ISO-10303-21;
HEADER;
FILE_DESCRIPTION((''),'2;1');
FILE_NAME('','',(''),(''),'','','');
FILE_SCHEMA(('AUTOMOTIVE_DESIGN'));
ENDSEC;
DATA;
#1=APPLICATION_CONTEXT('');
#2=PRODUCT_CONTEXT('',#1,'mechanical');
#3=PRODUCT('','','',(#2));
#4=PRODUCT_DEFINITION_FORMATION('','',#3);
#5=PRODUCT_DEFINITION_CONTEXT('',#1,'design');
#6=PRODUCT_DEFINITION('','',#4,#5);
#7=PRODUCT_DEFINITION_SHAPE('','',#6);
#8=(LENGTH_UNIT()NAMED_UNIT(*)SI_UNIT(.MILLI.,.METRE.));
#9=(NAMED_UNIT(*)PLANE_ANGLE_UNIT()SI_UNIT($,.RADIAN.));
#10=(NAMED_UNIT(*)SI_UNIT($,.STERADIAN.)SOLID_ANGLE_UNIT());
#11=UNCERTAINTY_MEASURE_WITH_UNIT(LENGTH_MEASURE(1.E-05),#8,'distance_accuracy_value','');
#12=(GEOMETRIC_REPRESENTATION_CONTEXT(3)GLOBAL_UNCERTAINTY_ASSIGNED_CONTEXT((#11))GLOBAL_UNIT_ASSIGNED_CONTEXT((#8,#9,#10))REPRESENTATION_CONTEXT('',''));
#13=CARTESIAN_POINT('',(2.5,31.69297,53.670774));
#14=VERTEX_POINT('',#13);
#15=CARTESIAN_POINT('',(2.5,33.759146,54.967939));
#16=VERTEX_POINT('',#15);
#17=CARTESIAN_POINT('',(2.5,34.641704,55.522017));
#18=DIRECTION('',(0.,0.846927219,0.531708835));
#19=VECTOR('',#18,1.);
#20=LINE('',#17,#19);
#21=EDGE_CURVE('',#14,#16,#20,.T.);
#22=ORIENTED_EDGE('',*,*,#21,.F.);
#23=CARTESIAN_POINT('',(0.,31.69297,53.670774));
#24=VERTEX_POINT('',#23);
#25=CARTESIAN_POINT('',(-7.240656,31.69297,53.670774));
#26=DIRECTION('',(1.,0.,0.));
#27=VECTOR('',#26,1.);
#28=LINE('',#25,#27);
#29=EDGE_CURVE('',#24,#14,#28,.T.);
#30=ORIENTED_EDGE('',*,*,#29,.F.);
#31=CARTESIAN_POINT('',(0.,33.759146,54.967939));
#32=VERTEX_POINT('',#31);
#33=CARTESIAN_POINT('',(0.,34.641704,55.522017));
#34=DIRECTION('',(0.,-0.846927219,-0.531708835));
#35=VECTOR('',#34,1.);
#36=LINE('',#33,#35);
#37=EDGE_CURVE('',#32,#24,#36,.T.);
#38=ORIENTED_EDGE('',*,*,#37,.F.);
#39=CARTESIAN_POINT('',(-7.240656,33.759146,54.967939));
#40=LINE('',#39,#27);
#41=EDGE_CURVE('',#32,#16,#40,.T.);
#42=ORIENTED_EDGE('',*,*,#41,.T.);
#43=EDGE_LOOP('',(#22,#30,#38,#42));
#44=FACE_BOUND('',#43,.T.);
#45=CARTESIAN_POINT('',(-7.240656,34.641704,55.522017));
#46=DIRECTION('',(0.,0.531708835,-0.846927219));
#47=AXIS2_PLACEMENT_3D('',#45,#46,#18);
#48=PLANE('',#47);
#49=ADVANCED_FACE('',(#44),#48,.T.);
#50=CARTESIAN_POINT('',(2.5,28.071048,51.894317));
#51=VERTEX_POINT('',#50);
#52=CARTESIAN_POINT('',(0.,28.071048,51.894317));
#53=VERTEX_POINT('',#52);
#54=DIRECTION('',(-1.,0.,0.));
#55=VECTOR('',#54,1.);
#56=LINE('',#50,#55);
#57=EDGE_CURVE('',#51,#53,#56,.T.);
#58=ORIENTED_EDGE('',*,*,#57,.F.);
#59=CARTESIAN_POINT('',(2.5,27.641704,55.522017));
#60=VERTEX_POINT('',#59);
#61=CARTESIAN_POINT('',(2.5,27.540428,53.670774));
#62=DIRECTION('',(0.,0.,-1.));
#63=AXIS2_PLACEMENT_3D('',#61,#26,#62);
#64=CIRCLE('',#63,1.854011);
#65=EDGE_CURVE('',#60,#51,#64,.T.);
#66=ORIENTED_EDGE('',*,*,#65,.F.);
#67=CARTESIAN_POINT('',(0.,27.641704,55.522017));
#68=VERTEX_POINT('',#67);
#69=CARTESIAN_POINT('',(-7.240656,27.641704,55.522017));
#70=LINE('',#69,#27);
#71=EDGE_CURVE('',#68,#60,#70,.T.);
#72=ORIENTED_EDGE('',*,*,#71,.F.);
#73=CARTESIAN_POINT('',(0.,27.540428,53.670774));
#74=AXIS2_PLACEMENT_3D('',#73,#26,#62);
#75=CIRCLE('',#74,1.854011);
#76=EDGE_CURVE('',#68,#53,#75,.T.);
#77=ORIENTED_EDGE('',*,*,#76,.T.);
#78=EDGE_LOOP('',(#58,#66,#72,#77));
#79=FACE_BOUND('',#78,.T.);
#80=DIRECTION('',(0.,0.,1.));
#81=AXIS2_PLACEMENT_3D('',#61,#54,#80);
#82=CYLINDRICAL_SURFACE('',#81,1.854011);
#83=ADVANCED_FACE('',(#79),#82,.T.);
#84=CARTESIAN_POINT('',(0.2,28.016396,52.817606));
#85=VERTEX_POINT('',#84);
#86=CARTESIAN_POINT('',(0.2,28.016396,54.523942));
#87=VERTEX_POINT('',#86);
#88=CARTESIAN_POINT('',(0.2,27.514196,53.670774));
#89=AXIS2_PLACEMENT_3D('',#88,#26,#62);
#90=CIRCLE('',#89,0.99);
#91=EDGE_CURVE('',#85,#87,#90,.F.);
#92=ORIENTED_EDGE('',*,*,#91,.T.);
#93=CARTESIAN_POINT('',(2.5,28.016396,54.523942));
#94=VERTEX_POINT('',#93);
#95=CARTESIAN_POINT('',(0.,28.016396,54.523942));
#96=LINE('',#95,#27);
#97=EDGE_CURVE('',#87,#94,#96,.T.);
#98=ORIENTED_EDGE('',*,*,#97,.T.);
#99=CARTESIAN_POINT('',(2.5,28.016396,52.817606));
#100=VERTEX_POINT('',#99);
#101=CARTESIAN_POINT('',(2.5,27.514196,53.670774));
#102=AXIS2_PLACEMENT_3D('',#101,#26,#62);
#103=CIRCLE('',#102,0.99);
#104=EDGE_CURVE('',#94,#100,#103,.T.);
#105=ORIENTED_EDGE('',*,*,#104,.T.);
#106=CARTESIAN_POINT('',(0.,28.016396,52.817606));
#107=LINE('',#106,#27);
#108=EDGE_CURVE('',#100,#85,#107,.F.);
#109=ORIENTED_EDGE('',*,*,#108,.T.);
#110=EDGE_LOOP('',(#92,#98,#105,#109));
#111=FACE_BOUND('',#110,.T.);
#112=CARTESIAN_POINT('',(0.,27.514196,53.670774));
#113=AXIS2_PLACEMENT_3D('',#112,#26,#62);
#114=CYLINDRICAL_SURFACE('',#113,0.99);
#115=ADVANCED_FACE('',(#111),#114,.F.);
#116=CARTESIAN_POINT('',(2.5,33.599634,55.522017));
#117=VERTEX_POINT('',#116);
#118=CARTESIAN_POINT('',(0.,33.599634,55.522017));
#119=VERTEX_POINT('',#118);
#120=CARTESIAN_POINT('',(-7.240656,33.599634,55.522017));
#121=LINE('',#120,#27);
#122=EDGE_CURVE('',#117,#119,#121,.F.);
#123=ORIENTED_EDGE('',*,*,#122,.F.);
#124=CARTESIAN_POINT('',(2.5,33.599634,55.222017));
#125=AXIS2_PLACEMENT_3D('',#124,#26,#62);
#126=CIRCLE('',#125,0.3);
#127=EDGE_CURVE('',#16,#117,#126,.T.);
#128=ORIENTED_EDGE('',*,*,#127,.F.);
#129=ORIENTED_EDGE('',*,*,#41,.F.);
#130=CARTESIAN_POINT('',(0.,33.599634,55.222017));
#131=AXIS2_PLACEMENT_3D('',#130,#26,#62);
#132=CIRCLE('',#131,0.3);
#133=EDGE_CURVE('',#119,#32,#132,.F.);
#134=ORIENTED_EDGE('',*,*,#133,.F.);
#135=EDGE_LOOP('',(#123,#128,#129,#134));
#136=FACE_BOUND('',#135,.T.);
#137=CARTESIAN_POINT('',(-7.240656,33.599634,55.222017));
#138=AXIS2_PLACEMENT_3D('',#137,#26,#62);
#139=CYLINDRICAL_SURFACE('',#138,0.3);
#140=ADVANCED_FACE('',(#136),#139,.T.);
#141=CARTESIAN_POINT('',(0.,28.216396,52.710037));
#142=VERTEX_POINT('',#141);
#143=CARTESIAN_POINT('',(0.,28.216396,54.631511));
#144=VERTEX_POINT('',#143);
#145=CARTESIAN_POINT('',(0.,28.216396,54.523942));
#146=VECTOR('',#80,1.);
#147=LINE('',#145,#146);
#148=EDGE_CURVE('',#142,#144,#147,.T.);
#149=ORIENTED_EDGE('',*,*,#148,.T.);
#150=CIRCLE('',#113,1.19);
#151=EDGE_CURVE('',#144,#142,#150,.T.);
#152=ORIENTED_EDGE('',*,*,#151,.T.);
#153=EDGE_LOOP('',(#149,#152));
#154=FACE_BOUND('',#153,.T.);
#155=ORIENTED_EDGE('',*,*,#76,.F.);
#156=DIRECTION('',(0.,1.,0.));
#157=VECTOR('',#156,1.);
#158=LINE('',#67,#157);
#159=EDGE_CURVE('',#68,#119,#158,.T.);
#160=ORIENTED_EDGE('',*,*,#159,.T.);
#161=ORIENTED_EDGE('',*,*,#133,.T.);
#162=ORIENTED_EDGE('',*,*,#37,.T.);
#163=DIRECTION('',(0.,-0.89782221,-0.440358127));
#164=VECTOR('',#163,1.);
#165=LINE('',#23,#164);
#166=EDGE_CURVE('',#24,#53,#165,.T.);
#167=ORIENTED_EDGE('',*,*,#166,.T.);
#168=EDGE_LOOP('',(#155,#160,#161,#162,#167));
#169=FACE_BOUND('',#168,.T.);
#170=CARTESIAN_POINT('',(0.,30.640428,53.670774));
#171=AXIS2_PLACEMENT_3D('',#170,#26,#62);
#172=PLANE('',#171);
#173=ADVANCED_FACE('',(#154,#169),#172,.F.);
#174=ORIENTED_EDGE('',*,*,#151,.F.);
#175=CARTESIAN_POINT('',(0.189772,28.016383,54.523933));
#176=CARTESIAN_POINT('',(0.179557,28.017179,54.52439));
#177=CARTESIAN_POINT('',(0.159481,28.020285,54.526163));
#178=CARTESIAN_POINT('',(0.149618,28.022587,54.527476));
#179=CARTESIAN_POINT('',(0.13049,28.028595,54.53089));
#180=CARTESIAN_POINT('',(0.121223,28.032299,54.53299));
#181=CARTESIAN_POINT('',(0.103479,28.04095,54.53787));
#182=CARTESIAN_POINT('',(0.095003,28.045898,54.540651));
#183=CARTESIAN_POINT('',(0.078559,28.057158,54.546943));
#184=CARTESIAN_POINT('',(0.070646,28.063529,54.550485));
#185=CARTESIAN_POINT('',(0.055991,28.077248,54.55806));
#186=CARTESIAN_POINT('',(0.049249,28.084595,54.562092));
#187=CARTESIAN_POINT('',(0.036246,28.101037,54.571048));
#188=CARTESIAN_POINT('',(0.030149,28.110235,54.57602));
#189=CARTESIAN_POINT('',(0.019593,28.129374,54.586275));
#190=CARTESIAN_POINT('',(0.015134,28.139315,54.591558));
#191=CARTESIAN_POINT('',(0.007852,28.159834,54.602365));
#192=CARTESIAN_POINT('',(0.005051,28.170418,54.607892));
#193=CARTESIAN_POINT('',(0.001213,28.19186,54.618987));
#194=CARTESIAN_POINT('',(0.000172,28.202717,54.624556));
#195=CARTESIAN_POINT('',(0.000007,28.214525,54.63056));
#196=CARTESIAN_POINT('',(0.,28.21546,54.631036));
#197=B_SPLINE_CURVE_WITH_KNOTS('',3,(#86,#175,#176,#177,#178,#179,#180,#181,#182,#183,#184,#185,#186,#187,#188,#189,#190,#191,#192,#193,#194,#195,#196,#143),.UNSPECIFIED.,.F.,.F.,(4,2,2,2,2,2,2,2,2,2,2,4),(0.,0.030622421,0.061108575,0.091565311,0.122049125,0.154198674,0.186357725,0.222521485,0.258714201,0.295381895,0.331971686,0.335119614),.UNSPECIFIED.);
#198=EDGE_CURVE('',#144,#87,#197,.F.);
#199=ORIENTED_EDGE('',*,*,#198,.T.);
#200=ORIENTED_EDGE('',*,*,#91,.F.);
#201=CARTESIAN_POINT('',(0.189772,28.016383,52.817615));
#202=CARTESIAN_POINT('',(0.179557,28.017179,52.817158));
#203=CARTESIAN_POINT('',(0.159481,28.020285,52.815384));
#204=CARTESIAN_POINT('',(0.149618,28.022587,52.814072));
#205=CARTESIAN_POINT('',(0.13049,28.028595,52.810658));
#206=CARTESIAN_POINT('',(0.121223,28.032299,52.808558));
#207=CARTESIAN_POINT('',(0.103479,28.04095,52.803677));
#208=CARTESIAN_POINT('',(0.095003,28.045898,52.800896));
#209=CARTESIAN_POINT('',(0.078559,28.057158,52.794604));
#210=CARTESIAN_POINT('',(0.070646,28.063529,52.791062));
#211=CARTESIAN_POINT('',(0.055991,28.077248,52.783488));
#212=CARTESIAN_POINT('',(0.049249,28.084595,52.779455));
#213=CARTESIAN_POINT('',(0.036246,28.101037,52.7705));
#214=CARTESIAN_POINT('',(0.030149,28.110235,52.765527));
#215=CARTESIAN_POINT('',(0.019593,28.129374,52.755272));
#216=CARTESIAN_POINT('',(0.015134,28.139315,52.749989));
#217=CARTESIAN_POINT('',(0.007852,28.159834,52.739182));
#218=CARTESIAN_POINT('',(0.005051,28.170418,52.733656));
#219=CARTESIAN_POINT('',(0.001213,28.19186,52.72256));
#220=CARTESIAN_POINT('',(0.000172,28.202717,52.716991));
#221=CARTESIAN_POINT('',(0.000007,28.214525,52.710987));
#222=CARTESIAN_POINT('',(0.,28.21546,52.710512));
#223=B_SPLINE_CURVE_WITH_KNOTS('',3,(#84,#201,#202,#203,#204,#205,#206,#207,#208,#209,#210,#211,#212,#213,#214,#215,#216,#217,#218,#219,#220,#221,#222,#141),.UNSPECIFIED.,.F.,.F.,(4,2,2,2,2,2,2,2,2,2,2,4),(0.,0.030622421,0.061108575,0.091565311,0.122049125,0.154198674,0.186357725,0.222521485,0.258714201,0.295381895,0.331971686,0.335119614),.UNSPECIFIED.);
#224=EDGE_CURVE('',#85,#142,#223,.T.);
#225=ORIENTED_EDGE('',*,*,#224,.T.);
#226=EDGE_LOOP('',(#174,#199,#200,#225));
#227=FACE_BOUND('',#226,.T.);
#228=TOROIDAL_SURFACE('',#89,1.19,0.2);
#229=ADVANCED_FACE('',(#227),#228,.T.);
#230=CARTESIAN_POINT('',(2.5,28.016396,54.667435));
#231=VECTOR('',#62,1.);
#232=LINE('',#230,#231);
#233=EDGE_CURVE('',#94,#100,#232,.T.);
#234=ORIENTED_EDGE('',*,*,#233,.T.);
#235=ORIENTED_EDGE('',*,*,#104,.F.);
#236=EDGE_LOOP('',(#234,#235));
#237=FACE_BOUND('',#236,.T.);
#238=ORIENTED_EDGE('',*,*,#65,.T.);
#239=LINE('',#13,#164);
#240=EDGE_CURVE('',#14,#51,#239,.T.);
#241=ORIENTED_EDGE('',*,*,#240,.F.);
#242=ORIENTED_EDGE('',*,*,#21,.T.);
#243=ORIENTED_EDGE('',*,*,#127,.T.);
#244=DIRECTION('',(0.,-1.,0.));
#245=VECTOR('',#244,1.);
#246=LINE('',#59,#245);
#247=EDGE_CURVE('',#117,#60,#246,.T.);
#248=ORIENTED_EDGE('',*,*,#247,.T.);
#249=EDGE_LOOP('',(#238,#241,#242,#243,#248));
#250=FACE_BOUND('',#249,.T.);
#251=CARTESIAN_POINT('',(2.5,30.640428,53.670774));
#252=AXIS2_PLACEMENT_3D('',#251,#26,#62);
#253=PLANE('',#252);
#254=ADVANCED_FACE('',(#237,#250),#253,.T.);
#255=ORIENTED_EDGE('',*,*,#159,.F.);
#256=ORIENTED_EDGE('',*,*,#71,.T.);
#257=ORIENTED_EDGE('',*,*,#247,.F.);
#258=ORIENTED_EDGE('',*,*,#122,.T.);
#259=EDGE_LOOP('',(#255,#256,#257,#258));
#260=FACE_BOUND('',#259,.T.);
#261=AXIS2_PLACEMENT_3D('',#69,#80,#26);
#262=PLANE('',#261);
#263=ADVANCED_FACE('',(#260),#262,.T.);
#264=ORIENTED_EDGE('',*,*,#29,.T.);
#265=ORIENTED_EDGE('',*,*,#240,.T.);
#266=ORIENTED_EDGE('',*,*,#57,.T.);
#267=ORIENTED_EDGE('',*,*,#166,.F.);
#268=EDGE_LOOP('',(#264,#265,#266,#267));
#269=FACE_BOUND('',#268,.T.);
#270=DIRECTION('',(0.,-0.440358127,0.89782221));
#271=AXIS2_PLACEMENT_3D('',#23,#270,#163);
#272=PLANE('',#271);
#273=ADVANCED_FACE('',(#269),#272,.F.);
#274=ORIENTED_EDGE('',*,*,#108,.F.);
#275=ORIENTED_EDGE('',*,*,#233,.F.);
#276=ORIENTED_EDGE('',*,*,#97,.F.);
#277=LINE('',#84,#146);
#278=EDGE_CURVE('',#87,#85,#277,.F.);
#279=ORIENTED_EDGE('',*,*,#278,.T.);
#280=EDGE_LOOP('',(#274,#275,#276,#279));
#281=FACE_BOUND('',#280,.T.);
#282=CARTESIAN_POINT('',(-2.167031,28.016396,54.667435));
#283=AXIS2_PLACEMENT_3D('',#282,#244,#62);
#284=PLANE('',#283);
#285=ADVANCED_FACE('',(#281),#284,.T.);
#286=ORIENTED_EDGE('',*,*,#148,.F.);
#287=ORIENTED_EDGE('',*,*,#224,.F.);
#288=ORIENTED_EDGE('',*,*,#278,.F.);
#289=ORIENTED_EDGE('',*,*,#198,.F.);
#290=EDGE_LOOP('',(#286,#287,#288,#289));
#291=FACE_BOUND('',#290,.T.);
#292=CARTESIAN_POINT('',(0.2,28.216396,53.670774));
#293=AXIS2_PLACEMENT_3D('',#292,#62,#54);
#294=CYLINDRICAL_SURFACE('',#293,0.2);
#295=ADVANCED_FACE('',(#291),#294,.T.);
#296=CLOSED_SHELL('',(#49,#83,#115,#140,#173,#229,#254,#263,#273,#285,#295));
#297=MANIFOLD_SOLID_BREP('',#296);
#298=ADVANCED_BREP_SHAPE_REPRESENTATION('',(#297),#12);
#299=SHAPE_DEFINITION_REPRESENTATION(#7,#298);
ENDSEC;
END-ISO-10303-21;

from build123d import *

# Parameters (mm, degrees)
BOSS_EXTRUDE2_DEPTH = 2.5
SKETCH4_R           = 0.99
CUT_EXTRUDE2_DEPTH  = 64.981998238
SKETCH7_W           = 2.01987101
SKETCH7_H           = 0.78494751
BOSS_EXTRUDE5_DEPTH = 2.5
FILLET1_R           = 0.2
BOSS_EXTRUDE6_DEPTH = 2.5
CUT_EXTRUDE5_DEPTH  = 66.492743437
FILLET14_R          = 0.3


with BuildPart() as part:
    # Sketch3 → Boss-Extrude2 (new body)
    with BuildSketch(Plane(origin=(0, 0, 0), x_dir=(0, 0, -1), z_dir=(1, 0, 0))):
        with BuildLine():
            Line((-54.67077374, 30.968825597), (-55.447230875, 28.071048118))
            ThreePointArc((-55.447230875, 28.071048118), (-53.67077374, 25.686416202), (-51.894316605, 28.071048118))
            Line((-51.894316605, 28.071048118), (-52.67077374, 30.968825597))
            ThreePointArc((-52.67077374, 30.968825597), (-53.67077374, 31.692969852), (-54.67077374, 30.968825597))
        make_face()
    extrude(amount=BOSS_EXTRUDE2_DEPTH)

    # Sketch4 → Cut-Extrude2 (cut, through all)
    with BuildSketch(Plane(origin=(2.5, 0, 0), x_dir=(0, 0, -1), z_dir=(1, 0, 0))):
        with Locations((-53.67077374, 27.514195996)):
            Circle(SKETCH4_R)
    extrude(amount=-CUT_EXTRUDE2_DEPTH, mode=Mode.SUBTRACT)

    # Sketch7 → Boss-Extrude5 (add)
    with BuildSketch(Plane(origin=(2.5, 0, 0), x_dir=(0, 0, -1), z_dir=(1, 0, 0))):
        with Locations((-53.657499813, 28.408869671)):
            Rectangle(SKETCH7_W, SKETCH7_H)
    extrude(amount=-BOSS_EXTRUDE5_DEPTH)

    # Fillet1
    fillet1_edges = [part.edges().sort_by_distance(p)[0] for p in [
        (0, 26.524195996, 53.67077374),
        (0, 28.016395916, 53.67077374),
    ]]
    fillet(fillet1_edges, radius=FILLET1_R)

    # Sketch8 → Boss-Extrude6 (add)
    with BuildSketch(Plane(origin=(2.5, 0, 0), x_dir=(0, 0, -1), z_dir=(1, 0, 0))):
        Polygon((-55.522016872, 27.641704373), (-55.522016872, 34.641704373), (-53.67077374, 31.692969852), align=None)
    extrude(amount=-BOSS_EXTRUDE6_DEPTH)

    # Sketch12 → Cut-Extrude5 (cut, through all)
    with BuildSketch(Plane(origin=(2.5, 0, 0), x_dir=(0, 0, -1), z_dir=(1, 0, 0))):
        Polygon((-53.67077374, 31.692969852), (-51.894316605, 28.071048118), (-51.781619292, 31.692969852), align=None)
    extrude(amount=-CUT_EXTRUDE5_DEPTH, mode=Mode.SUBTRACT)

    # Fillet14
    fillet14_edges = [part.edges().sort_by_distance(p)[0] for p in [
        (1.25, 34.641704373, 55.522016872),
    ]]
    fillet(fillet14_edges, radius=FILLET14_R)


solid = part.part
